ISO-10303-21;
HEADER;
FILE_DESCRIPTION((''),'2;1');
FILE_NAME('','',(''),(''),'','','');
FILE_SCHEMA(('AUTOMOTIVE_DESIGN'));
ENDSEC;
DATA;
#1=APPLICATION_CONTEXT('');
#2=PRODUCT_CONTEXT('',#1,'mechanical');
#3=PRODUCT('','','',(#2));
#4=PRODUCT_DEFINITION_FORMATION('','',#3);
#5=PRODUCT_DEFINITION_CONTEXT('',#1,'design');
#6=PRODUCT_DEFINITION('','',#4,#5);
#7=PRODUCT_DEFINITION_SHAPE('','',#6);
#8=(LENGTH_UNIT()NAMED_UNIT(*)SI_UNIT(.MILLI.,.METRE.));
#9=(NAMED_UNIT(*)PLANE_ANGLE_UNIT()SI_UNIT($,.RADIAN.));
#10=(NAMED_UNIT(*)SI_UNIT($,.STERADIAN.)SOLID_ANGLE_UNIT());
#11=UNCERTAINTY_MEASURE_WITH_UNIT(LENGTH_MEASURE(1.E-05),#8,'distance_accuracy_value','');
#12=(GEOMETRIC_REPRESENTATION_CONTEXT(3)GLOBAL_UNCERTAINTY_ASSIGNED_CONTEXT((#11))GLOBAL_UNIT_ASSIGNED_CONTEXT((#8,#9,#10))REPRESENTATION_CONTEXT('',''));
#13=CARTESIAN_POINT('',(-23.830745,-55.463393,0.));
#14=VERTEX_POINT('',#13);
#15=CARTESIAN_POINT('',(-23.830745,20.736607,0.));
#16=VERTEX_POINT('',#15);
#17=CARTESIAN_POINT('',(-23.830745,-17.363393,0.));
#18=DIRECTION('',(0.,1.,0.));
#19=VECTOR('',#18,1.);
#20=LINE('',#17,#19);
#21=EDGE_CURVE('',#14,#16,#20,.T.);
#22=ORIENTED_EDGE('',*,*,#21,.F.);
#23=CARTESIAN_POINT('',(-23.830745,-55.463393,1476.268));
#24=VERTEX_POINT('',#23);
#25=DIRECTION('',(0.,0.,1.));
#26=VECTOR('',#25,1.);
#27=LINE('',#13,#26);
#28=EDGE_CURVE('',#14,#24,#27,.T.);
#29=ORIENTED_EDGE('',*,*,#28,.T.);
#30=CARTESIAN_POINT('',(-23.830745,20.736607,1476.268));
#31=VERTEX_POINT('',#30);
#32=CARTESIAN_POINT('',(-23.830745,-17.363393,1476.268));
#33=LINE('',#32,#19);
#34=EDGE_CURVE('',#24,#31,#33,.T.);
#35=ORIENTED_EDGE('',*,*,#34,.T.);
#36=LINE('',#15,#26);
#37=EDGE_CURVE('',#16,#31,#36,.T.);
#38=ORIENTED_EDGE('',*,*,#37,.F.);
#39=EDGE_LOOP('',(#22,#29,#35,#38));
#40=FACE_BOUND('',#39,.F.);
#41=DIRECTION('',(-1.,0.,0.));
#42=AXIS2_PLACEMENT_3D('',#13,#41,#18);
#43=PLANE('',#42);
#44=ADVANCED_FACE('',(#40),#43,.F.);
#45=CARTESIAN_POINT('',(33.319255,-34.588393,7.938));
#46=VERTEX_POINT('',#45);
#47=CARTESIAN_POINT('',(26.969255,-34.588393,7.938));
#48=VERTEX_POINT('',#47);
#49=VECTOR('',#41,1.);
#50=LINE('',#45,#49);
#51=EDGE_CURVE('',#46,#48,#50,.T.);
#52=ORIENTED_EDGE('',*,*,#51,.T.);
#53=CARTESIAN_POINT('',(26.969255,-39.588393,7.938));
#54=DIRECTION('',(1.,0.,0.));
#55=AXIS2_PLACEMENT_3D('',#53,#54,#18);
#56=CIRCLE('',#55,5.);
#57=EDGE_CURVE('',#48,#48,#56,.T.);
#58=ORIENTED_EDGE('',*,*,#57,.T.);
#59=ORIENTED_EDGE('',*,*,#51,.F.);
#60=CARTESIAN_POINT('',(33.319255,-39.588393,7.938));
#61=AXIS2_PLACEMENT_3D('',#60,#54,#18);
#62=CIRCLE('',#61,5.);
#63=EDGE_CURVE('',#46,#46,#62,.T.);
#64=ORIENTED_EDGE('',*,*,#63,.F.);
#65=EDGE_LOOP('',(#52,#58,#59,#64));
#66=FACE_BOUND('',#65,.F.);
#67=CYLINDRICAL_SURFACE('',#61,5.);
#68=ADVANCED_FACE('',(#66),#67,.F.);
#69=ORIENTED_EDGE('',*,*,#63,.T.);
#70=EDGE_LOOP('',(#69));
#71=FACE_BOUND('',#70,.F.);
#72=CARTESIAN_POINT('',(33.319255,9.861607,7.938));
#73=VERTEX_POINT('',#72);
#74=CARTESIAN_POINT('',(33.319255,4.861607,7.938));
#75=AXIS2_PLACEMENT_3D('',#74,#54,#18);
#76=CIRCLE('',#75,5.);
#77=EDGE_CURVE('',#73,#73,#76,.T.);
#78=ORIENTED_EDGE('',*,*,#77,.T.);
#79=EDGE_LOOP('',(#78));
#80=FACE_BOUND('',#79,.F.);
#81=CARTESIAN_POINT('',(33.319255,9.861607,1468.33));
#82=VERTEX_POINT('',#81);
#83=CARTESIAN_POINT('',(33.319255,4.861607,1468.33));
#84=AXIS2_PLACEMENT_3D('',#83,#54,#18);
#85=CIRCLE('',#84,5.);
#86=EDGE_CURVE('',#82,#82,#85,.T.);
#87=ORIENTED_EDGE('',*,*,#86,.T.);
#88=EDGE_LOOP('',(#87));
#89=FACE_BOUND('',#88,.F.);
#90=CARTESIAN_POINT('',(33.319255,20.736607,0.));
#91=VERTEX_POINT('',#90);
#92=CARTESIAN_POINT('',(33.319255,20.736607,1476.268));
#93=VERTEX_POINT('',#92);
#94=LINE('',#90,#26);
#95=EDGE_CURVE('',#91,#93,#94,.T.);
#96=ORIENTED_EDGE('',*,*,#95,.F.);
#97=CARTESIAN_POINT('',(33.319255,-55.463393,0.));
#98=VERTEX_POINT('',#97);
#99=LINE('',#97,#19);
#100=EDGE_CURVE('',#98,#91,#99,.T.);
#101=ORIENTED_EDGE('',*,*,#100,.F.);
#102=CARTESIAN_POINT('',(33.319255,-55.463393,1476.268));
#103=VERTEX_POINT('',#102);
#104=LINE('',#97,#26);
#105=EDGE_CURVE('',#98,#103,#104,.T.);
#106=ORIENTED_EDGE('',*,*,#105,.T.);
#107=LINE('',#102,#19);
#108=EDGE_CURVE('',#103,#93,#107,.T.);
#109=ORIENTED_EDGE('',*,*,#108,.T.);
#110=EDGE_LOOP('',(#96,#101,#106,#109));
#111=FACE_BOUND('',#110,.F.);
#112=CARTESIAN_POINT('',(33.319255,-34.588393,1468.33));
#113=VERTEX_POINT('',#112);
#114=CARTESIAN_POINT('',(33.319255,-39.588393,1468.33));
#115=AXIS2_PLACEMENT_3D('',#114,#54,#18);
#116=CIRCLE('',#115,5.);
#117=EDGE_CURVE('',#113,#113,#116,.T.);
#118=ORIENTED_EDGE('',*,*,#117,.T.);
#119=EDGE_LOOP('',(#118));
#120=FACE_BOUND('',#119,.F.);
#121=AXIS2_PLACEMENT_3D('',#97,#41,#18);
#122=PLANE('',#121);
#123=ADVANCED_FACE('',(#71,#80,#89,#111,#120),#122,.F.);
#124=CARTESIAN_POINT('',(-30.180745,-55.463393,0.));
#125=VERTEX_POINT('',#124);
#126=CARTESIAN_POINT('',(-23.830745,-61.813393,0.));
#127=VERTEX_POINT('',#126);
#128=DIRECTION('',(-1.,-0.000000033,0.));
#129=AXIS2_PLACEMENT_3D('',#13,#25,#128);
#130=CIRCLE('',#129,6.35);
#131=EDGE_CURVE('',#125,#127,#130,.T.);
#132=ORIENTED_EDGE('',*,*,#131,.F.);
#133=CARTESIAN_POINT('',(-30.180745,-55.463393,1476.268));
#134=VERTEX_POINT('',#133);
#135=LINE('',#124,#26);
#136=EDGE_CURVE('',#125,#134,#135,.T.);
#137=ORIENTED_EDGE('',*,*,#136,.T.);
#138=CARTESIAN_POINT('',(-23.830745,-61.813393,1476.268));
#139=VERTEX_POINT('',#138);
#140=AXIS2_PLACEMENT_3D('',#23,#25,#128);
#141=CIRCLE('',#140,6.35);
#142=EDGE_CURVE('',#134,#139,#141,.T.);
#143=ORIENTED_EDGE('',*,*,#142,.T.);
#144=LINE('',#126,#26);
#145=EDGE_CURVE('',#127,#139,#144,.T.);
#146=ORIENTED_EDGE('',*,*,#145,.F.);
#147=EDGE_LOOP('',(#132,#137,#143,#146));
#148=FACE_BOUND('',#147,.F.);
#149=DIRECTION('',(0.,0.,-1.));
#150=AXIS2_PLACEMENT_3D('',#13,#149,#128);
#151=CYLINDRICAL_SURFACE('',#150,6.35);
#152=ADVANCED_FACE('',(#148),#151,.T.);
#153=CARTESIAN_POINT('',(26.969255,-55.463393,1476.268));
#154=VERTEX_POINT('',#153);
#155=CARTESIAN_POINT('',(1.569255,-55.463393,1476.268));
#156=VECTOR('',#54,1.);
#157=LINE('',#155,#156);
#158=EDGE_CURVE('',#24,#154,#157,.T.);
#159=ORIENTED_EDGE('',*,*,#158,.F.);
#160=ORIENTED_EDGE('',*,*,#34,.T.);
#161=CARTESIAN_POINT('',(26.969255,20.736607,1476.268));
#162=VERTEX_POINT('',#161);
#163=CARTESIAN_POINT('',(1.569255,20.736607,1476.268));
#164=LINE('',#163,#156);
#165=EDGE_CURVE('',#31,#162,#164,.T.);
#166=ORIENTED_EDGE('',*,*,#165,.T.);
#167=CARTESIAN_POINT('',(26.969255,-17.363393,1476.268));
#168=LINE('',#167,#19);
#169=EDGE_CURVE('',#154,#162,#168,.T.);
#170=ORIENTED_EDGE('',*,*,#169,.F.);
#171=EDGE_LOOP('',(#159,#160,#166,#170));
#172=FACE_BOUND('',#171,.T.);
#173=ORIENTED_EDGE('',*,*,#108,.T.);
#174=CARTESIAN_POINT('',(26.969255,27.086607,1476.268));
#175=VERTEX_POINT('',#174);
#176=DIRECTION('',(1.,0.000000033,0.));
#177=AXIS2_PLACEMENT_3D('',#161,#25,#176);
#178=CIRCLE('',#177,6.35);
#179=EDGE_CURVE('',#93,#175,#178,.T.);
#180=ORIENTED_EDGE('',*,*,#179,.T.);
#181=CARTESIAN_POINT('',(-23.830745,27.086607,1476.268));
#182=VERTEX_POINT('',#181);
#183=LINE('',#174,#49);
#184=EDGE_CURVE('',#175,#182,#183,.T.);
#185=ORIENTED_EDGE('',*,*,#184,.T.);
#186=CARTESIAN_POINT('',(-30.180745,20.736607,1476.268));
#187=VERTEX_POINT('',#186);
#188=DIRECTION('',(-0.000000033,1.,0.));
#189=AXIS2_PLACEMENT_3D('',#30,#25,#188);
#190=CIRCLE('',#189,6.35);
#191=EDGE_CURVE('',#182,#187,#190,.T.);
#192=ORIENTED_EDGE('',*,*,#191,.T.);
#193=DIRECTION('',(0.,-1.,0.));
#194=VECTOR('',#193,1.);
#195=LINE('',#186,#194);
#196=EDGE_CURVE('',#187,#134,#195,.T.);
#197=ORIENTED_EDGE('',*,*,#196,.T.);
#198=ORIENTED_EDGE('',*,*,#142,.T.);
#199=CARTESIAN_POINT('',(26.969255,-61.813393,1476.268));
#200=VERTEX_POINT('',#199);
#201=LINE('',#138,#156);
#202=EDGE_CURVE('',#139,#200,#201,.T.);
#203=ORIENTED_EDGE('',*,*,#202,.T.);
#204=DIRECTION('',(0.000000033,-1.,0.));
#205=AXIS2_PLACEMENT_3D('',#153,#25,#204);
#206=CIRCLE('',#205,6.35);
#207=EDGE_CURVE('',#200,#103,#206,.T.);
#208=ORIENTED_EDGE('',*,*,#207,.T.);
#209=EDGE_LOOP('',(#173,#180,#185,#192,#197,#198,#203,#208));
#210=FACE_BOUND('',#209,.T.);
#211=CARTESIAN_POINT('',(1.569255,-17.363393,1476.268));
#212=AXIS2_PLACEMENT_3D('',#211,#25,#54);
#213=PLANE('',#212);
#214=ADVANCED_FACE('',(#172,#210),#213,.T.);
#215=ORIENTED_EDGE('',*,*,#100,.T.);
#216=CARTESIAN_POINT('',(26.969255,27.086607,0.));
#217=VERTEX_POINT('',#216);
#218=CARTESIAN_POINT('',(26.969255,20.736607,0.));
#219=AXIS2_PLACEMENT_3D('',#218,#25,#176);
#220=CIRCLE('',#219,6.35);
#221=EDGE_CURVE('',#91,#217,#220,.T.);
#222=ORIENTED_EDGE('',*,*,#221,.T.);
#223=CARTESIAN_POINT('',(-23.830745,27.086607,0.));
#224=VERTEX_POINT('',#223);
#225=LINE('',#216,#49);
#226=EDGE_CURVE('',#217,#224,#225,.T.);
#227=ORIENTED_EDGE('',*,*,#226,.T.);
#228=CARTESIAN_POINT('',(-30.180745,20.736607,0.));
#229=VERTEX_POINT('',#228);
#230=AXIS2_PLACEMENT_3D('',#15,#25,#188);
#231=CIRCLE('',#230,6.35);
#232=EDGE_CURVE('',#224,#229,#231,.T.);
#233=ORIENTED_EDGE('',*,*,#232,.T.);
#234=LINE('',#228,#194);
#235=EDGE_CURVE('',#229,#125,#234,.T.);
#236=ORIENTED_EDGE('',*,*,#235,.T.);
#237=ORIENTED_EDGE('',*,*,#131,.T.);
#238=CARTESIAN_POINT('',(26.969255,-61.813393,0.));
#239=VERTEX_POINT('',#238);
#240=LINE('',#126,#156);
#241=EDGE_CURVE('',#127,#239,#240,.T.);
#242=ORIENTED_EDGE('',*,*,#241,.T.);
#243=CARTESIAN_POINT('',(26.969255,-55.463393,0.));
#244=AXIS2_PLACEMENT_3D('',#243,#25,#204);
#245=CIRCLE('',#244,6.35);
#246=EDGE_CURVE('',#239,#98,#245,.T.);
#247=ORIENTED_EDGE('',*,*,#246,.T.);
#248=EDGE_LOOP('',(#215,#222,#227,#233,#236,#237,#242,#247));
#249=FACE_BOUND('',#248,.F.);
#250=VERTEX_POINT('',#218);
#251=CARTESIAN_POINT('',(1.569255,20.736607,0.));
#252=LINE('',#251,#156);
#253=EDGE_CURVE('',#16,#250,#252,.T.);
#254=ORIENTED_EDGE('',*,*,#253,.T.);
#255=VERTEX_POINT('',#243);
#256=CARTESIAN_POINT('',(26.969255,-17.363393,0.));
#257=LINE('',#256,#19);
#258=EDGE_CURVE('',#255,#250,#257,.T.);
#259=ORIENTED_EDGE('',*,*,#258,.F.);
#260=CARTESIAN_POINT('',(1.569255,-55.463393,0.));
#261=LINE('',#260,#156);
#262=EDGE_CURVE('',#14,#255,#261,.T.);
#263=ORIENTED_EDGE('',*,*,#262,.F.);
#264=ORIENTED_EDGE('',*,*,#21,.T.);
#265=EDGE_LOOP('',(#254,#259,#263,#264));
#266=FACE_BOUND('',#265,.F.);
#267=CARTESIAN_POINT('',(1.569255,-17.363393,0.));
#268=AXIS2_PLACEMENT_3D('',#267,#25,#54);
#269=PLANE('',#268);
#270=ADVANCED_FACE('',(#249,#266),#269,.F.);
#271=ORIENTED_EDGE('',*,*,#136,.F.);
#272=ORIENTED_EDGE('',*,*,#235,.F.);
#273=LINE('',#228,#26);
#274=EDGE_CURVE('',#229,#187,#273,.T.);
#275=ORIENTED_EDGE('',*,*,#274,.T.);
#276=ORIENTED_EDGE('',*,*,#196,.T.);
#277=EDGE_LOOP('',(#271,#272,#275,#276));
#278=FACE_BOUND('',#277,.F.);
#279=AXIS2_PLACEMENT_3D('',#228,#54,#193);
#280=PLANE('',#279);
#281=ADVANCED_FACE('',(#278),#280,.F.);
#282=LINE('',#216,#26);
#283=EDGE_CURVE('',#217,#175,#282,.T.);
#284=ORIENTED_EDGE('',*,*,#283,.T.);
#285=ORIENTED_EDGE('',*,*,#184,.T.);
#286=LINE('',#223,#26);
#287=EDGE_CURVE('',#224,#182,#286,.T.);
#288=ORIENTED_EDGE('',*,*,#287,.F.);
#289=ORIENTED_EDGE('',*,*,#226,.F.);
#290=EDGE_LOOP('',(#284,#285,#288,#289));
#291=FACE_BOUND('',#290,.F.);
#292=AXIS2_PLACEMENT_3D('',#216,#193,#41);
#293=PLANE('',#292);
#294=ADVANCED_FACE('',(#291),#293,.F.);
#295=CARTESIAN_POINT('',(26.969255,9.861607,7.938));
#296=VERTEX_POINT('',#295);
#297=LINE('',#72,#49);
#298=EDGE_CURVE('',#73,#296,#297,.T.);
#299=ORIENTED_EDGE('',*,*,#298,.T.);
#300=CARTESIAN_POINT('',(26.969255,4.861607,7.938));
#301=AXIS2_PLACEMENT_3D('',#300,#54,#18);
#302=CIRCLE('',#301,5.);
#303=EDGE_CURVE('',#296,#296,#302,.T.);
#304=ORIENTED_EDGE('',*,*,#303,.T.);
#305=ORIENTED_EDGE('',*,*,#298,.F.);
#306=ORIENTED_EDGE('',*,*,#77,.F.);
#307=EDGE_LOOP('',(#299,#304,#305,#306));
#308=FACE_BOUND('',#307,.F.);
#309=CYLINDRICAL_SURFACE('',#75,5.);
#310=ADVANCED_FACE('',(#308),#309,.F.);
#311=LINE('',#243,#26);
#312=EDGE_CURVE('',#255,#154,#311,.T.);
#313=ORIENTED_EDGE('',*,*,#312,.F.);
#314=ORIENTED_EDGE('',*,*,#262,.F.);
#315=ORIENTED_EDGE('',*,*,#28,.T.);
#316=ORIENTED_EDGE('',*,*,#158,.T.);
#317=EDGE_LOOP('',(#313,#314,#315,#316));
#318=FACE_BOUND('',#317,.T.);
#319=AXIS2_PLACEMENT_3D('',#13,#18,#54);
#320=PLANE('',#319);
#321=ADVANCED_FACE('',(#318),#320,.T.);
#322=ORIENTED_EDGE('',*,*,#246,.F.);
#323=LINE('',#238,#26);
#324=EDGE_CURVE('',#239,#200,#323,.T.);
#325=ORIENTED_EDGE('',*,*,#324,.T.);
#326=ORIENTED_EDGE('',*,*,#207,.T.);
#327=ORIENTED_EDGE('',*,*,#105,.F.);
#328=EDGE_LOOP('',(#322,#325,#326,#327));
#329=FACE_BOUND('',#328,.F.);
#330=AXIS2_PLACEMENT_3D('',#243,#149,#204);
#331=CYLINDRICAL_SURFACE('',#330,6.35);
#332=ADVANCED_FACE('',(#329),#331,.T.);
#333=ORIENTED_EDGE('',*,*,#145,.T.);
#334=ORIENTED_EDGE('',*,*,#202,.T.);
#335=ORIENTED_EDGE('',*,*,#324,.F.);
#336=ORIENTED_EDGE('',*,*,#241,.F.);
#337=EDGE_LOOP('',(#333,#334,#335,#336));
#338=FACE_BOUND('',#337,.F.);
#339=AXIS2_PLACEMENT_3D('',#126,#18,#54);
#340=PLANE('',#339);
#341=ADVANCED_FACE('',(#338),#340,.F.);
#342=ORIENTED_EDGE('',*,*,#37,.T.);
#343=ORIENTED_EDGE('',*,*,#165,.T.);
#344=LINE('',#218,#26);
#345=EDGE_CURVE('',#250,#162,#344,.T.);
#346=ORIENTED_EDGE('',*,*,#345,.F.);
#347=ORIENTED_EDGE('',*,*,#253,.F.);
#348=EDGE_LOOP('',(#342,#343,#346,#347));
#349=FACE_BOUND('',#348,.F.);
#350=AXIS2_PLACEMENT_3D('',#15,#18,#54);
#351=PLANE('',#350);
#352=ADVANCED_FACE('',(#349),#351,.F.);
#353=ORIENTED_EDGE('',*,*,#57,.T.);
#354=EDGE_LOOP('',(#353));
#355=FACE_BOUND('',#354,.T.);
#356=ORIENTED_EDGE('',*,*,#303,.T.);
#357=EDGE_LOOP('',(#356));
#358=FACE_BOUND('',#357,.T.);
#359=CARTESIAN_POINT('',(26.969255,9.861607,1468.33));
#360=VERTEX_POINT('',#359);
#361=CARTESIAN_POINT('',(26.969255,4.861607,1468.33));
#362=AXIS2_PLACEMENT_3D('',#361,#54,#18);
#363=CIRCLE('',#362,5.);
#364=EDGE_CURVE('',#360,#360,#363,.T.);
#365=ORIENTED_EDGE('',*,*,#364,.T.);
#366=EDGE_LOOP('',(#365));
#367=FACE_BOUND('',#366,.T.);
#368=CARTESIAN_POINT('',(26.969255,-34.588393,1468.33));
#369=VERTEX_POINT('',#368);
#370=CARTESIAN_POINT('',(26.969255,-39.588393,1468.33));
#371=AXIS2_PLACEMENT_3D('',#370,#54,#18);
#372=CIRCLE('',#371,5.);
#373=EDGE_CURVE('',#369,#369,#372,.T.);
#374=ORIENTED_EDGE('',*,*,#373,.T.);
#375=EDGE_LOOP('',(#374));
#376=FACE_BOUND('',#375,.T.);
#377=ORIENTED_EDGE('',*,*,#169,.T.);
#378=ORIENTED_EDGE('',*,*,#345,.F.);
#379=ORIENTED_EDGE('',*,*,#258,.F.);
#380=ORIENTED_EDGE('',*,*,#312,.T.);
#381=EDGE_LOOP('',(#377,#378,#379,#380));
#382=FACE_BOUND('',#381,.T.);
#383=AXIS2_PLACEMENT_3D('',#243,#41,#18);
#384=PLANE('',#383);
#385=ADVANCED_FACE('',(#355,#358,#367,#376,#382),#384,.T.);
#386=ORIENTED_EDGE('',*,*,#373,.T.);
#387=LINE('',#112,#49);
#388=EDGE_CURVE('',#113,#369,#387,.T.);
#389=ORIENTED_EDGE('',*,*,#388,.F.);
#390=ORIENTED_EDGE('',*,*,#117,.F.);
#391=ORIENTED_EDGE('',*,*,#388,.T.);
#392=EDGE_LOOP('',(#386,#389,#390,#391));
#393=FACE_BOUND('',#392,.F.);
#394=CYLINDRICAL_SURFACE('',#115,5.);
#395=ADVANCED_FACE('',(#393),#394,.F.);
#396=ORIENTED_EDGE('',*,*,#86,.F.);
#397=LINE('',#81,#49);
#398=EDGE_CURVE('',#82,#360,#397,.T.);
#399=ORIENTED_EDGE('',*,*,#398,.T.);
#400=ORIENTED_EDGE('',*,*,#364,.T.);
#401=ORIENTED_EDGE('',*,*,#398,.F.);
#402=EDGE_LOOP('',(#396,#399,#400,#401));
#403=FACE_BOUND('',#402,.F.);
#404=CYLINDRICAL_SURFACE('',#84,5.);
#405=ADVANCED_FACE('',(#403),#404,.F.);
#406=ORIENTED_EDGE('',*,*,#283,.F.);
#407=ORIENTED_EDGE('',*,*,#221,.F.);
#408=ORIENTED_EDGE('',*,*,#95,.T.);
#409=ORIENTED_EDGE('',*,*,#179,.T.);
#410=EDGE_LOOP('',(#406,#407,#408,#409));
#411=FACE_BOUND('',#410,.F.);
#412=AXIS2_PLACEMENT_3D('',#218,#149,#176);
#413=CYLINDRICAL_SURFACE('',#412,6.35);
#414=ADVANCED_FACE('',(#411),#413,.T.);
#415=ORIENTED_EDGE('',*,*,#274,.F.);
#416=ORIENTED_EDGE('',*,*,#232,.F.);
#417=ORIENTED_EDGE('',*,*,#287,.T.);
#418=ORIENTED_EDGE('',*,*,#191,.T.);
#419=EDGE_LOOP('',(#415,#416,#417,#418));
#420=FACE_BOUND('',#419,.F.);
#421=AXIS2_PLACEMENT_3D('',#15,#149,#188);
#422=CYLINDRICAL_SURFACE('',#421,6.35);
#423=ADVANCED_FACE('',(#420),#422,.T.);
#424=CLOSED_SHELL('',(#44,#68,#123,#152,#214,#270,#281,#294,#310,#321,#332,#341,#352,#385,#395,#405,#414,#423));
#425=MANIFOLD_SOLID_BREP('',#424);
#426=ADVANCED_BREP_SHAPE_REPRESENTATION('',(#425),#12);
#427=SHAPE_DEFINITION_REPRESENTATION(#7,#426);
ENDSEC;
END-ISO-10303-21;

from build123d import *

# Parameters (mm, degrees)
F0_W     = 50.8
F0_H     = 76.2
F1_DEPTH = 1476.268
F2_R     = 5
F3_DEPTH = 15.31509


with BuildPart() as f1:
    # F0 (on Top) → F1 (new body)
    with BuildSketch(Plane.XY):
        with BuildLine():
            ThreePointArc((-30.180745, -55.463393), (-28.320873, -59.953521), (-23.830745, -61.813393))
            Line((-23.830745, -61.813393), (26.969255, -61.813393))
            ThreePointArc((26.969255, -61.813393), (31.459383, -59.953521), (33.319255, -55.463393))
            Line((33.319255, -55.463393), (33.319255, 20.736607))
            ThreePointArc((33.319255, 20.736607), (31.459383, 25.226735), (26.969255, 27.086607))
            Line((26.969255, 27.086607), (-23.830745, 27.086607))
            ThreePointArc((-23.830745, 27.086607), (-28.320873, 25.226735), (-30.180745, 20.736607))
            Line((-30.180745, 20.736607), (-30.180745, -55.463393))
        make_face()
        with Locations((1.569255, -17.363393)):
            Rectangle(F0_W, F0_H, mode=Mode.SUBTRACT)
    extrude(amount=F1_DEPTH)

    # F2 (on face) → F3 (cut)
    with BuildSketch(Plane.YZ.offset(33.319255)):
        with Locations((4.861607, 7.938)):
            Circle(F2_R)
        with Locations((-39.588393, 7.938)):
            Circle(F2_R)
        with Locations((4.861607, 1468.33)):
            Circle(F2_R)
        with Locations((-39.588393, 1468.33)):
            Circle(F2_R)
    extrude(amount=-F3_DEPTH, mode=Mode.SUBTRACT)


solid = f1.part
